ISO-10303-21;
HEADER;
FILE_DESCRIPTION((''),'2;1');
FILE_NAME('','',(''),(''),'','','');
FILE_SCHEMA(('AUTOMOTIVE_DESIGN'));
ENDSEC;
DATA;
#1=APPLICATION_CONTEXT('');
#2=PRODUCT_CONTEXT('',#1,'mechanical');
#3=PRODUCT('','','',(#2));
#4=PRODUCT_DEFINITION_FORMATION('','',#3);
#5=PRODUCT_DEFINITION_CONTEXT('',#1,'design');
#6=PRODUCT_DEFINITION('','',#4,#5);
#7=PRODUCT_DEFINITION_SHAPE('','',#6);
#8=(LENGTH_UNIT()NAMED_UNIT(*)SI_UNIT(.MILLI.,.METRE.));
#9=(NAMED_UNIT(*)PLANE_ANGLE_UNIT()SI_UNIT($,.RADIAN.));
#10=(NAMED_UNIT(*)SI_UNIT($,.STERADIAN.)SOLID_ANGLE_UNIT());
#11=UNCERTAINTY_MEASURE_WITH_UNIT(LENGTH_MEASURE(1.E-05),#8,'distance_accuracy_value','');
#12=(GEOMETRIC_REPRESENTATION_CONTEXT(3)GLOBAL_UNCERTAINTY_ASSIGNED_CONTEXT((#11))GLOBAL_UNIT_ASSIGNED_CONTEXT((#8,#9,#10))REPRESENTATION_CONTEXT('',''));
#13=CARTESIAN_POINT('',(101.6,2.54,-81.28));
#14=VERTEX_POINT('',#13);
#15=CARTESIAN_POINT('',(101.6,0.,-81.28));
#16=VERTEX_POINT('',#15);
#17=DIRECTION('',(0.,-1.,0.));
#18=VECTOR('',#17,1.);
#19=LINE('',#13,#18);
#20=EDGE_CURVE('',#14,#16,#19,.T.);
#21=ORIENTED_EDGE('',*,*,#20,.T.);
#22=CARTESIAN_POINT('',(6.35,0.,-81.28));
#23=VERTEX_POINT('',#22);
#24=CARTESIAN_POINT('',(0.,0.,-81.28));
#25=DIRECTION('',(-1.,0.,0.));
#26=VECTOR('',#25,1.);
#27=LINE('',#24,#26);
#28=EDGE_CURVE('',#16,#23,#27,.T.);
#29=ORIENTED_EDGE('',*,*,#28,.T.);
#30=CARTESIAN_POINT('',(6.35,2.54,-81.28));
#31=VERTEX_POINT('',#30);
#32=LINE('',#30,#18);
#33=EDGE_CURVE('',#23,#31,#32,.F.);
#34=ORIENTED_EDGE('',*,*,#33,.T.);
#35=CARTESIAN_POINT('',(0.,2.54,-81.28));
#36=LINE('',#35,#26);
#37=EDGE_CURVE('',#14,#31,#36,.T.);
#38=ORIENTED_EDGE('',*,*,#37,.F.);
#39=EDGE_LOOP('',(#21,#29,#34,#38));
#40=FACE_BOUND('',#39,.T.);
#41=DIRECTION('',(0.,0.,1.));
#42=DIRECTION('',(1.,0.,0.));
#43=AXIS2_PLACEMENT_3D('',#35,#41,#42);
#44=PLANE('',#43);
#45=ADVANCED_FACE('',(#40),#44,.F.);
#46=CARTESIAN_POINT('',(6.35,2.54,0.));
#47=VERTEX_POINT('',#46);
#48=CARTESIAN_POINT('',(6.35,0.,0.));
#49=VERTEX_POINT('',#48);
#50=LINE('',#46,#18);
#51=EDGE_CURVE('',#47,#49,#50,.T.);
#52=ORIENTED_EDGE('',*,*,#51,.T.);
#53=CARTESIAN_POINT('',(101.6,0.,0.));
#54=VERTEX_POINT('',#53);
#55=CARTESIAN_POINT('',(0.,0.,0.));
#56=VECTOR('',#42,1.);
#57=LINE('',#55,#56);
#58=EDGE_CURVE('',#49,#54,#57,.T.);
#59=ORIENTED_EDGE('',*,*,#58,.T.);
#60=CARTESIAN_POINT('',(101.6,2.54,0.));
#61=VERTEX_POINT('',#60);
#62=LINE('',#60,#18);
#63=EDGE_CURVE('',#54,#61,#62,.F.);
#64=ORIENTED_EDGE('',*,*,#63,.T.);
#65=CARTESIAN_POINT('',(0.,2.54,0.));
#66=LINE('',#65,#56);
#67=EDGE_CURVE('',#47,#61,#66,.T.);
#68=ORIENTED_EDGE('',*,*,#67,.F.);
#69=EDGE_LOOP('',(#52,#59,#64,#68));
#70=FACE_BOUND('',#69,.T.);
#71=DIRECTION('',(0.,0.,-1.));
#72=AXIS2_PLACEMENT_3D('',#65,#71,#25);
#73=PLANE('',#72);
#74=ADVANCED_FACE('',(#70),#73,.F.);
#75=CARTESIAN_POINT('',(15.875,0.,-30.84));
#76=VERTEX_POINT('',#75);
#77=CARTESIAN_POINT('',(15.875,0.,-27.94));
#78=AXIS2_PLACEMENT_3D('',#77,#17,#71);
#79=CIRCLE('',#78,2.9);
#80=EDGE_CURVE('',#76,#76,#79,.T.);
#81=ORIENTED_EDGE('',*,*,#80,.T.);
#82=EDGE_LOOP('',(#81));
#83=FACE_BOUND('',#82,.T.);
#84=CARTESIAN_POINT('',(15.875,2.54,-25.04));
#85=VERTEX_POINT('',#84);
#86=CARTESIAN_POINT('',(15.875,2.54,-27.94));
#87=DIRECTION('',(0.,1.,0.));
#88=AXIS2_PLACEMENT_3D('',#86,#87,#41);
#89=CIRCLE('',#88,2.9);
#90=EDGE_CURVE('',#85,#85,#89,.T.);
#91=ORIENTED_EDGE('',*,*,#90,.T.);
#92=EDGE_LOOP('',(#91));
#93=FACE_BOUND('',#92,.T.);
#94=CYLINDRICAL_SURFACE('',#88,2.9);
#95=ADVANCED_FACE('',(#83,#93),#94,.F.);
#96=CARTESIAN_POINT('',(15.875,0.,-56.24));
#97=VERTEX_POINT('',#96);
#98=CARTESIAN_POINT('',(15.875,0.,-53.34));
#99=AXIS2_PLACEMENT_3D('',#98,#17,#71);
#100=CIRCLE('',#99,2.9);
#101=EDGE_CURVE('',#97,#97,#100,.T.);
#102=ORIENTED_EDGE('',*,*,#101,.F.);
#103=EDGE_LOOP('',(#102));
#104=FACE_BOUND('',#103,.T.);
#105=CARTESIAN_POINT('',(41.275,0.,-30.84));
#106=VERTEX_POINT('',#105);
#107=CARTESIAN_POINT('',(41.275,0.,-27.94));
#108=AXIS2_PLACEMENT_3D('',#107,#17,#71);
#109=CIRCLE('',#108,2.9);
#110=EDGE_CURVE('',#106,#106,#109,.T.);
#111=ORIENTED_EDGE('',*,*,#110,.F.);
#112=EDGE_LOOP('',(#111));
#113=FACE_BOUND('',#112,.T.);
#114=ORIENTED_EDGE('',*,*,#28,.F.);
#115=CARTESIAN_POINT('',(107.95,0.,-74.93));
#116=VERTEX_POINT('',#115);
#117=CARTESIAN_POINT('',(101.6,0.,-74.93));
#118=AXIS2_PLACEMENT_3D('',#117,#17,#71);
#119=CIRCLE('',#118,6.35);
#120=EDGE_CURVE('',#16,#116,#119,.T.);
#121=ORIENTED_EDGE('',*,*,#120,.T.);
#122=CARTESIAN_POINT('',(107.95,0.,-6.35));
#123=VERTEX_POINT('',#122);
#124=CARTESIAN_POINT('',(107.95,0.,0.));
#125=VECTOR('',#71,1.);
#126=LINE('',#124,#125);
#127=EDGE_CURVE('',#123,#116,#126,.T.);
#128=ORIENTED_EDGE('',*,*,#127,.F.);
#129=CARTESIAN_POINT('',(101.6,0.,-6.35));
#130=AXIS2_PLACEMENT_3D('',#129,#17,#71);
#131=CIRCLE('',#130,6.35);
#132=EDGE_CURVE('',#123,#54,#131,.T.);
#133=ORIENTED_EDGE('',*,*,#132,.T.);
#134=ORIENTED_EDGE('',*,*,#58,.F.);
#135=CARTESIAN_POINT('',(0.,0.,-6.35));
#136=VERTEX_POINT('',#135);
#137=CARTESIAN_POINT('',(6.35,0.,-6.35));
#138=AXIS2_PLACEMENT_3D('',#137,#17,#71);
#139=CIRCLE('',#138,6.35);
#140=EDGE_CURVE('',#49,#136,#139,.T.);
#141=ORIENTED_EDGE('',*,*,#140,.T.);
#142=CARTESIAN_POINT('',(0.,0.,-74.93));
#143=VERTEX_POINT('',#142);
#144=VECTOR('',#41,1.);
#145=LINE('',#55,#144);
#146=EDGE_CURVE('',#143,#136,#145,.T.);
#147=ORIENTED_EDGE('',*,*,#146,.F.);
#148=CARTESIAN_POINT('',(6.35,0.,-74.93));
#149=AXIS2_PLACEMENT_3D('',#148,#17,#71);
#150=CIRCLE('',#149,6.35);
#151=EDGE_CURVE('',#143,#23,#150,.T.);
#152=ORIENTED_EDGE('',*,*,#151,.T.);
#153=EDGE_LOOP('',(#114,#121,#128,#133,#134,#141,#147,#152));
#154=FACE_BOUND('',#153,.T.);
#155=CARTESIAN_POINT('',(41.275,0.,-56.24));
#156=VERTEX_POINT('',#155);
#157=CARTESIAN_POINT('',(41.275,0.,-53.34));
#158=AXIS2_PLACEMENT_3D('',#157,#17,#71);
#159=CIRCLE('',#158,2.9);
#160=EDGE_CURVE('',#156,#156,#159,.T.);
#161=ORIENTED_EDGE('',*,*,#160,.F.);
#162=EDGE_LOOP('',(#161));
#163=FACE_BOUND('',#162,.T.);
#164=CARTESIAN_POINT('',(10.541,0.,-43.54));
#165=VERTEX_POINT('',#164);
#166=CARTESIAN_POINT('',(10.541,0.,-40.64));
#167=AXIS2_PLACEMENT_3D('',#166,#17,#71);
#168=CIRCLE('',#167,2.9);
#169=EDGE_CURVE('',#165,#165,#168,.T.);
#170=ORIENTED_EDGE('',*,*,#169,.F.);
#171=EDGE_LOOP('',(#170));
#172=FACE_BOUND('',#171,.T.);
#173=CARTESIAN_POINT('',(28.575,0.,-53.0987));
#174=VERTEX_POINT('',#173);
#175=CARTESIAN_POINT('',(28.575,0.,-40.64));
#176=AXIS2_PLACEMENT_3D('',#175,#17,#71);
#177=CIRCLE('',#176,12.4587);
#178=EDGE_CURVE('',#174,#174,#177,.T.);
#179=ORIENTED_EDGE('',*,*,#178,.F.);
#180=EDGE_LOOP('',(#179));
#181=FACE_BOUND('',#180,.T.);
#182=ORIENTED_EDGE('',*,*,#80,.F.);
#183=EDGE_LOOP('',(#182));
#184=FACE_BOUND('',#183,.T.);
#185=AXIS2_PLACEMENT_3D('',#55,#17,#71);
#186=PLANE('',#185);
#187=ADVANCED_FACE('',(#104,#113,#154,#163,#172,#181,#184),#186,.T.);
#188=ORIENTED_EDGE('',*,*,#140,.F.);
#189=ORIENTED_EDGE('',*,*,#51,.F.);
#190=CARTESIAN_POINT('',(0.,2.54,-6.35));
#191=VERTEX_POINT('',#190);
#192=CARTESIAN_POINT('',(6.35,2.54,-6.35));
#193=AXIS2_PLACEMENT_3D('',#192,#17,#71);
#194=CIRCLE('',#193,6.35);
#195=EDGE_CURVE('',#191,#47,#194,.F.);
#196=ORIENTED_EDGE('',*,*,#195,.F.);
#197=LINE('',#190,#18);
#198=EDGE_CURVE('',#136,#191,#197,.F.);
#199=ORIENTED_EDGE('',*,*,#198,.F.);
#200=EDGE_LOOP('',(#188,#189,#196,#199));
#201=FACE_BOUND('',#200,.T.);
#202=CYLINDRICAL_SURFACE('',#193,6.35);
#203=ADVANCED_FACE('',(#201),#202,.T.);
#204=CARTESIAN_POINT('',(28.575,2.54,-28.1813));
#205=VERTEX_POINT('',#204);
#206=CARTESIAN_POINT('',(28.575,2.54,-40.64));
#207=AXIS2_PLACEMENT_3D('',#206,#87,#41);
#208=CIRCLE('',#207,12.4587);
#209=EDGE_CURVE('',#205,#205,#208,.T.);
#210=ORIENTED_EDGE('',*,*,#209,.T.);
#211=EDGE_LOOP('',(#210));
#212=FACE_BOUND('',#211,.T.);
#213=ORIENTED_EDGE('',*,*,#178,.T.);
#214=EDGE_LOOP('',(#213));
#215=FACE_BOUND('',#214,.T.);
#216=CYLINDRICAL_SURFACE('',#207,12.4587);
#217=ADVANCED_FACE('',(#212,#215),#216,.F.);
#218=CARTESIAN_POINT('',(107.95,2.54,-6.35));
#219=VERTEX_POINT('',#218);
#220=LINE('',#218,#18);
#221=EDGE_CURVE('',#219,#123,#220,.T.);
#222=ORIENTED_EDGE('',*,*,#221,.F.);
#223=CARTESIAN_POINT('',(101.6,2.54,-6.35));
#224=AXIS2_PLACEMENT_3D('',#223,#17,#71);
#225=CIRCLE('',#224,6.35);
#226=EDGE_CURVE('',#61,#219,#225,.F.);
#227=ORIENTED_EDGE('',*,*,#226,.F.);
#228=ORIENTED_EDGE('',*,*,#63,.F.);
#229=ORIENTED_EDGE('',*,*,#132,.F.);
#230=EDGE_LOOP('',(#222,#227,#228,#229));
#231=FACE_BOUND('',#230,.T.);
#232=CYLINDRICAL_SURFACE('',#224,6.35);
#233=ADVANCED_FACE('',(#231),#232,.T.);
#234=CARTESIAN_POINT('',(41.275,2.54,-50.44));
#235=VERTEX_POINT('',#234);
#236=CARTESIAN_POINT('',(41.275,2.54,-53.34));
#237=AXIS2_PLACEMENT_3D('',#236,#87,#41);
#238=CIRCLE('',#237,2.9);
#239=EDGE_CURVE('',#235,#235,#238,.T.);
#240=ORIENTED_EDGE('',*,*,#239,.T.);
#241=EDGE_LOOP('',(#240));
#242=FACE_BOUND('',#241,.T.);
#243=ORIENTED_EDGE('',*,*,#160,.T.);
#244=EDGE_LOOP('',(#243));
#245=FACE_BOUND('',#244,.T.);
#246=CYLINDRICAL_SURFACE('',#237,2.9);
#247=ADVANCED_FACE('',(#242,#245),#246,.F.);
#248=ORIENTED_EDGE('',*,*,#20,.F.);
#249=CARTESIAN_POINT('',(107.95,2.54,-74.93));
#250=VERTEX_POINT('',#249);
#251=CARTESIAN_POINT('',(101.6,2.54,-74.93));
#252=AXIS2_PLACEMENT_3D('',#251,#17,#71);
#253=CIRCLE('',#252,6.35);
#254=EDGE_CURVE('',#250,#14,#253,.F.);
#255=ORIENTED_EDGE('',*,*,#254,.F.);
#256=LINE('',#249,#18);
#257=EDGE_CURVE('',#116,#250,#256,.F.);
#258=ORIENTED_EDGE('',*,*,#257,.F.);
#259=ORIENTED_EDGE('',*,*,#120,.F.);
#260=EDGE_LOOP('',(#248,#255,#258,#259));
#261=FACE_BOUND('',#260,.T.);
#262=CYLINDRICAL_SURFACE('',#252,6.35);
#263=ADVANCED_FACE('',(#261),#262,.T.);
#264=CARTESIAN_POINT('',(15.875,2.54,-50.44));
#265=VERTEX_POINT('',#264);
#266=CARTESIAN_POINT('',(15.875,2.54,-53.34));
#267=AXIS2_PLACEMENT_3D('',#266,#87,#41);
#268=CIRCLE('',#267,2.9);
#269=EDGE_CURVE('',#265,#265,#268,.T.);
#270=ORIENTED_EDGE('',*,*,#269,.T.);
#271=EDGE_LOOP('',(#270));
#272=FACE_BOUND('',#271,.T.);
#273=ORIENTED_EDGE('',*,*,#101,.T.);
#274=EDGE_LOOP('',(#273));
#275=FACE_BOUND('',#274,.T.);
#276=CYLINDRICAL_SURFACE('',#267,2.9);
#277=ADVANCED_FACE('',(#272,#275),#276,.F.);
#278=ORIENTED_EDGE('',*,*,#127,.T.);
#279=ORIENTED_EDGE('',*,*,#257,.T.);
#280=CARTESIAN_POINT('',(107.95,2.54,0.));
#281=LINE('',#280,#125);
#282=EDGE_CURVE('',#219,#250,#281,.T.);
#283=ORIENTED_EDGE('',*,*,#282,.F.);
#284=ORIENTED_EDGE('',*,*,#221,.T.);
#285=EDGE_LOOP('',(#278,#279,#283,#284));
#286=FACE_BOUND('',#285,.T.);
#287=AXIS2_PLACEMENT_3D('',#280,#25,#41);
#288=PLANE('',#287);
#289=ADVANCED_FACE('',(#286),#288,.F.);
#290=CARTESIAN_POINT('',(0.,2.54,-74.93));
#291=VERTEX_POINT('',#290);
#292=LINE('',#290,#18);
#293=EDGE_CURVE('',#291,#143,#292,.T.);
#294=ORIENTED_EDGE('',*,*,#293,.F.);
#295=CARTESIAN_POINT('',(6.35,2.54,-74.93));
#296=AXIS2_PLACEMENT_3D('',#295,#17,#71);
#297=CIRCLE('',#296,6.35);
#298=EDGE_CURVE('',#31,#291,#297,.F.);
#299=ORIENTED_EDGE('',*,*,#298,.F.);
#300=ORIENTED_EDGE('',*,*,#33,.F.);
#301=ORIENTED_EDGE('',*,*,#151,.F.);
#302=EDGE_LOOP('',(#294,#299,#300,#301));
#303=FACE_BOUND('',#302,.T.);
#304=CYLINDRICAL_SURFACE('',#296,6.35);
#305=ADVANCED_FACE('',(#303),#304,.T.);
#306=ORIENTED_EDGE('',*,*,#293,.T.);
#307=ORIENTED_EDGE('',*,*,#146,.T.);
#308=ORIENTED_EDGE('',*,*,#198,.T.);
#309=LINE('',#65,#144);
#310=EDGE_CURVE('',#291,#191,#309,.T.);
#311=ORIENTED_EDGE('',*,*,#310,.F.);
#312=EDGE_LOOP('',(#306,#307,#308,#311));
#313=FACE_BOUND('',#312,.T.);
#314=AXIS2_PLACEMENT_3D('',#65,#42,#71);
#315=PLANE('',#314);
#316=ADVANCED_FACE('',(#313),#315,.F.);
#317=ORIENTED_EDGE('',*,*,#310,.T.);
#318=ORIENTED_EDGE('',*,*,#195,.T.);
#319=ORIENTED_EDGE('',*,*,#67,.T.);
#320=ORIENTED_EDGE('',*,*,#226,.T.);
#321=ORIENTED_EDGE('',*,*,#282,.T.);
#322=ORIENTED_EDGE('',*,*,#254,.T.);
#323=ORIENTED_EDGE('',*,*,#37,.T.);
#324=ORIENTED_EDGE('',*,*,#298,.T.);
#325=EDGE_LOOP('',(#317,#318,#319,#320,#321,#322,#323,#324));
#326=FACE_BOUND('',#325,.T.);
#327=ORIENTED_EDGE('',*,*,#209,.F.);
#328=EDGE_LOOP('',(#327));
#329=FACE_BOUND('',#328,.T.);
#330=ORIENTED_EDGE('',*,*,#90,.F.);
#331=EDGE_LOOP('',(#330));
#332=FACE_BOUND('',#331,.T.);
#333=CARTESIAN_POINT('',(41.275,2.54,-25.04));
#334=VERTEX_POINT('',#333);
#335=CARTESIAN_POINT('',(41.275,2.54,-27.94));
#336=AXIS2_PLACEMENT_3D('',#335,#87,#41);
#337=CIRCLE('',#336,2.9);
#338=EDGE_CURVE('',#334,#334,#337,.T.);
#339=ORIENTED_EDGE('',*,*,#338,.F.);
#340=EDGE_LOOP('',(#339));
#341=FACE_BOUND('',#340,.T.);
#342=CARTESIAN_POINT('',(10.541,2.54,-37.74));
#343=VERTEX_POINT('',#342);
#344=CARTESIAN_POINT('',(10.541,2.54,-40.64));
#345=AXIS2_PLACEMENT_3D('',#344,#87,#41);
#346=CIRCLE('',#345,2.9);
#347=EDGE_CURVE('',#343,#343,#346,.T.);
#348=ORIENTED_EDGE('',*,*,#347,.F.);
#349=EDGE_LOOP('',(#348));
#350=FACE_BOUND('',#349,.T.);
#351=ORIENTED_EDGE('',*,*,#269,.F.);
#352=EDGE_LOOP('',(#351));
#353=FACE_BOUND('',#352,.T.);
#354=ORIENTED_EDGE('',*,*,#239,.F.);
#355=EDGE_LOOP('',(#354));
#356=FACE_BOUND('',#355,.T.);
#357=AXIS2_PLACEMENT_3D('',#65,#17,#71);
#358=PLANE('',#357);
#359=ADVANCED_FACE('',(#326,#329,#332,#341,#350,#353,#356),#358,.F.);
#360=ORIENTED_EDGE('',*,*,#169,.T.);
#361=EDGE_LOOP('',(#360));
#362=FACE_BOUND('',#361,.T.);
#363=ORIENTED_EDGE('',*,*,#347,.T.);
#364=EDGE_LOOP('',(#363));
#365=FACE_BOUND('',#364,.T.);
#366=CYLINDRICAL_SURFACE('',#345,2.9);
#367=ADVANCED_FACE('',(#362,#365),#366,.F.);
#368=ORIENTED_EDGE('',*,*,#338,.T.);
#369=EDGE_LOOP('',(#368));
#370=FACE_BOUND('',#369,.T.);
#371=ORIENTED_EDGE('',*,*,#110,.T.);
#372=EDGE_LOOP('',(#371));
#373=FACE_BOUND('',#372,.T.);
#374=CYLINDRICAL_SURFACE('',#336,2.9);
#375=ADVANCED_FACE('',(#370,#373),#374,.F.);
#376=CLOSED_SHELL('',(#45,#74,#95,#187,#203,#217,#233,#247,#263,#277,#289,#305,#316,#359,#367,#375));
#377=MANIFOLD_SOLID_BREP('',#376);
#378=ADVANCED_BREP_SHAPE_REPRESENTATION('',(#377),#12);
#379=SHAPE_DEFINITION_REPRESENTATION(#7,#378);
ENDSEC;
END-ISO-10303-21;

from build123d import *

# Parameters (mm, degrees)
SKETCH1_W                   = 107.95
SKETCH1_H                   = 81.28
BOSS_EXTRUDE1_DEPTH         = 2.54
M5_CLEARANCE_HOLE1_D        = 5.8
F_97_0_981_DIAMETER_HOLE1_D = 24.9174
FILLET1_R                   = 6.35


with BuildPart() as part:
    # Sketch1 → Boss-Extrude1 (new body)
    with BuildSketch(Plane(origin=(0, 0, 0), x_dir=(1, 0, 0), z_dir=(0, 1, 0))):
        with Locations((53.975, 40.64)):
            Rectangle(SKETCH1_W, SKETCH1_H)
    extrude(amount=BOSS_EXTRUDE1_DEPTH)

    # M5 Clearance Hole1 (through all)
    with Locations(Plane(origin=(0, 2.54, 0), x_dir=(1, 0, 0), z_dir=(0, 1, 0))):
        with Locations((15.875, 53.34), (41.275, 53.34), (41.275, 27.94), (15.875, 27.94), (10.541, 40.64)):
            Hole(M5_CLEARANCE_HOLE1_D / 2)

    # #97 (0.981) Diameter Hole1 (through all)
    with Locations(Plane(origin=(0, 2.54, 0), x_dir=(1, 0, 0), z_dir=(0, 1, 0))):
        with Locations((28.575, 40.64)):
            Hole(F_97_0_981_DIAMETER_HOLE1_D / 2)

    # Fillet1
    fillet1_edges = [part.edges().sort_by_distance(p)[0] for p in [
        (0, 1.27, -81.28),
        (107.95, 1.27, -81.28),
        (107.95, 1.27, 0),
        (0, 1.27, 0),
    ]]
    fillet(fillet1_edges, radius=FILLET1_R)


solid = part.part
